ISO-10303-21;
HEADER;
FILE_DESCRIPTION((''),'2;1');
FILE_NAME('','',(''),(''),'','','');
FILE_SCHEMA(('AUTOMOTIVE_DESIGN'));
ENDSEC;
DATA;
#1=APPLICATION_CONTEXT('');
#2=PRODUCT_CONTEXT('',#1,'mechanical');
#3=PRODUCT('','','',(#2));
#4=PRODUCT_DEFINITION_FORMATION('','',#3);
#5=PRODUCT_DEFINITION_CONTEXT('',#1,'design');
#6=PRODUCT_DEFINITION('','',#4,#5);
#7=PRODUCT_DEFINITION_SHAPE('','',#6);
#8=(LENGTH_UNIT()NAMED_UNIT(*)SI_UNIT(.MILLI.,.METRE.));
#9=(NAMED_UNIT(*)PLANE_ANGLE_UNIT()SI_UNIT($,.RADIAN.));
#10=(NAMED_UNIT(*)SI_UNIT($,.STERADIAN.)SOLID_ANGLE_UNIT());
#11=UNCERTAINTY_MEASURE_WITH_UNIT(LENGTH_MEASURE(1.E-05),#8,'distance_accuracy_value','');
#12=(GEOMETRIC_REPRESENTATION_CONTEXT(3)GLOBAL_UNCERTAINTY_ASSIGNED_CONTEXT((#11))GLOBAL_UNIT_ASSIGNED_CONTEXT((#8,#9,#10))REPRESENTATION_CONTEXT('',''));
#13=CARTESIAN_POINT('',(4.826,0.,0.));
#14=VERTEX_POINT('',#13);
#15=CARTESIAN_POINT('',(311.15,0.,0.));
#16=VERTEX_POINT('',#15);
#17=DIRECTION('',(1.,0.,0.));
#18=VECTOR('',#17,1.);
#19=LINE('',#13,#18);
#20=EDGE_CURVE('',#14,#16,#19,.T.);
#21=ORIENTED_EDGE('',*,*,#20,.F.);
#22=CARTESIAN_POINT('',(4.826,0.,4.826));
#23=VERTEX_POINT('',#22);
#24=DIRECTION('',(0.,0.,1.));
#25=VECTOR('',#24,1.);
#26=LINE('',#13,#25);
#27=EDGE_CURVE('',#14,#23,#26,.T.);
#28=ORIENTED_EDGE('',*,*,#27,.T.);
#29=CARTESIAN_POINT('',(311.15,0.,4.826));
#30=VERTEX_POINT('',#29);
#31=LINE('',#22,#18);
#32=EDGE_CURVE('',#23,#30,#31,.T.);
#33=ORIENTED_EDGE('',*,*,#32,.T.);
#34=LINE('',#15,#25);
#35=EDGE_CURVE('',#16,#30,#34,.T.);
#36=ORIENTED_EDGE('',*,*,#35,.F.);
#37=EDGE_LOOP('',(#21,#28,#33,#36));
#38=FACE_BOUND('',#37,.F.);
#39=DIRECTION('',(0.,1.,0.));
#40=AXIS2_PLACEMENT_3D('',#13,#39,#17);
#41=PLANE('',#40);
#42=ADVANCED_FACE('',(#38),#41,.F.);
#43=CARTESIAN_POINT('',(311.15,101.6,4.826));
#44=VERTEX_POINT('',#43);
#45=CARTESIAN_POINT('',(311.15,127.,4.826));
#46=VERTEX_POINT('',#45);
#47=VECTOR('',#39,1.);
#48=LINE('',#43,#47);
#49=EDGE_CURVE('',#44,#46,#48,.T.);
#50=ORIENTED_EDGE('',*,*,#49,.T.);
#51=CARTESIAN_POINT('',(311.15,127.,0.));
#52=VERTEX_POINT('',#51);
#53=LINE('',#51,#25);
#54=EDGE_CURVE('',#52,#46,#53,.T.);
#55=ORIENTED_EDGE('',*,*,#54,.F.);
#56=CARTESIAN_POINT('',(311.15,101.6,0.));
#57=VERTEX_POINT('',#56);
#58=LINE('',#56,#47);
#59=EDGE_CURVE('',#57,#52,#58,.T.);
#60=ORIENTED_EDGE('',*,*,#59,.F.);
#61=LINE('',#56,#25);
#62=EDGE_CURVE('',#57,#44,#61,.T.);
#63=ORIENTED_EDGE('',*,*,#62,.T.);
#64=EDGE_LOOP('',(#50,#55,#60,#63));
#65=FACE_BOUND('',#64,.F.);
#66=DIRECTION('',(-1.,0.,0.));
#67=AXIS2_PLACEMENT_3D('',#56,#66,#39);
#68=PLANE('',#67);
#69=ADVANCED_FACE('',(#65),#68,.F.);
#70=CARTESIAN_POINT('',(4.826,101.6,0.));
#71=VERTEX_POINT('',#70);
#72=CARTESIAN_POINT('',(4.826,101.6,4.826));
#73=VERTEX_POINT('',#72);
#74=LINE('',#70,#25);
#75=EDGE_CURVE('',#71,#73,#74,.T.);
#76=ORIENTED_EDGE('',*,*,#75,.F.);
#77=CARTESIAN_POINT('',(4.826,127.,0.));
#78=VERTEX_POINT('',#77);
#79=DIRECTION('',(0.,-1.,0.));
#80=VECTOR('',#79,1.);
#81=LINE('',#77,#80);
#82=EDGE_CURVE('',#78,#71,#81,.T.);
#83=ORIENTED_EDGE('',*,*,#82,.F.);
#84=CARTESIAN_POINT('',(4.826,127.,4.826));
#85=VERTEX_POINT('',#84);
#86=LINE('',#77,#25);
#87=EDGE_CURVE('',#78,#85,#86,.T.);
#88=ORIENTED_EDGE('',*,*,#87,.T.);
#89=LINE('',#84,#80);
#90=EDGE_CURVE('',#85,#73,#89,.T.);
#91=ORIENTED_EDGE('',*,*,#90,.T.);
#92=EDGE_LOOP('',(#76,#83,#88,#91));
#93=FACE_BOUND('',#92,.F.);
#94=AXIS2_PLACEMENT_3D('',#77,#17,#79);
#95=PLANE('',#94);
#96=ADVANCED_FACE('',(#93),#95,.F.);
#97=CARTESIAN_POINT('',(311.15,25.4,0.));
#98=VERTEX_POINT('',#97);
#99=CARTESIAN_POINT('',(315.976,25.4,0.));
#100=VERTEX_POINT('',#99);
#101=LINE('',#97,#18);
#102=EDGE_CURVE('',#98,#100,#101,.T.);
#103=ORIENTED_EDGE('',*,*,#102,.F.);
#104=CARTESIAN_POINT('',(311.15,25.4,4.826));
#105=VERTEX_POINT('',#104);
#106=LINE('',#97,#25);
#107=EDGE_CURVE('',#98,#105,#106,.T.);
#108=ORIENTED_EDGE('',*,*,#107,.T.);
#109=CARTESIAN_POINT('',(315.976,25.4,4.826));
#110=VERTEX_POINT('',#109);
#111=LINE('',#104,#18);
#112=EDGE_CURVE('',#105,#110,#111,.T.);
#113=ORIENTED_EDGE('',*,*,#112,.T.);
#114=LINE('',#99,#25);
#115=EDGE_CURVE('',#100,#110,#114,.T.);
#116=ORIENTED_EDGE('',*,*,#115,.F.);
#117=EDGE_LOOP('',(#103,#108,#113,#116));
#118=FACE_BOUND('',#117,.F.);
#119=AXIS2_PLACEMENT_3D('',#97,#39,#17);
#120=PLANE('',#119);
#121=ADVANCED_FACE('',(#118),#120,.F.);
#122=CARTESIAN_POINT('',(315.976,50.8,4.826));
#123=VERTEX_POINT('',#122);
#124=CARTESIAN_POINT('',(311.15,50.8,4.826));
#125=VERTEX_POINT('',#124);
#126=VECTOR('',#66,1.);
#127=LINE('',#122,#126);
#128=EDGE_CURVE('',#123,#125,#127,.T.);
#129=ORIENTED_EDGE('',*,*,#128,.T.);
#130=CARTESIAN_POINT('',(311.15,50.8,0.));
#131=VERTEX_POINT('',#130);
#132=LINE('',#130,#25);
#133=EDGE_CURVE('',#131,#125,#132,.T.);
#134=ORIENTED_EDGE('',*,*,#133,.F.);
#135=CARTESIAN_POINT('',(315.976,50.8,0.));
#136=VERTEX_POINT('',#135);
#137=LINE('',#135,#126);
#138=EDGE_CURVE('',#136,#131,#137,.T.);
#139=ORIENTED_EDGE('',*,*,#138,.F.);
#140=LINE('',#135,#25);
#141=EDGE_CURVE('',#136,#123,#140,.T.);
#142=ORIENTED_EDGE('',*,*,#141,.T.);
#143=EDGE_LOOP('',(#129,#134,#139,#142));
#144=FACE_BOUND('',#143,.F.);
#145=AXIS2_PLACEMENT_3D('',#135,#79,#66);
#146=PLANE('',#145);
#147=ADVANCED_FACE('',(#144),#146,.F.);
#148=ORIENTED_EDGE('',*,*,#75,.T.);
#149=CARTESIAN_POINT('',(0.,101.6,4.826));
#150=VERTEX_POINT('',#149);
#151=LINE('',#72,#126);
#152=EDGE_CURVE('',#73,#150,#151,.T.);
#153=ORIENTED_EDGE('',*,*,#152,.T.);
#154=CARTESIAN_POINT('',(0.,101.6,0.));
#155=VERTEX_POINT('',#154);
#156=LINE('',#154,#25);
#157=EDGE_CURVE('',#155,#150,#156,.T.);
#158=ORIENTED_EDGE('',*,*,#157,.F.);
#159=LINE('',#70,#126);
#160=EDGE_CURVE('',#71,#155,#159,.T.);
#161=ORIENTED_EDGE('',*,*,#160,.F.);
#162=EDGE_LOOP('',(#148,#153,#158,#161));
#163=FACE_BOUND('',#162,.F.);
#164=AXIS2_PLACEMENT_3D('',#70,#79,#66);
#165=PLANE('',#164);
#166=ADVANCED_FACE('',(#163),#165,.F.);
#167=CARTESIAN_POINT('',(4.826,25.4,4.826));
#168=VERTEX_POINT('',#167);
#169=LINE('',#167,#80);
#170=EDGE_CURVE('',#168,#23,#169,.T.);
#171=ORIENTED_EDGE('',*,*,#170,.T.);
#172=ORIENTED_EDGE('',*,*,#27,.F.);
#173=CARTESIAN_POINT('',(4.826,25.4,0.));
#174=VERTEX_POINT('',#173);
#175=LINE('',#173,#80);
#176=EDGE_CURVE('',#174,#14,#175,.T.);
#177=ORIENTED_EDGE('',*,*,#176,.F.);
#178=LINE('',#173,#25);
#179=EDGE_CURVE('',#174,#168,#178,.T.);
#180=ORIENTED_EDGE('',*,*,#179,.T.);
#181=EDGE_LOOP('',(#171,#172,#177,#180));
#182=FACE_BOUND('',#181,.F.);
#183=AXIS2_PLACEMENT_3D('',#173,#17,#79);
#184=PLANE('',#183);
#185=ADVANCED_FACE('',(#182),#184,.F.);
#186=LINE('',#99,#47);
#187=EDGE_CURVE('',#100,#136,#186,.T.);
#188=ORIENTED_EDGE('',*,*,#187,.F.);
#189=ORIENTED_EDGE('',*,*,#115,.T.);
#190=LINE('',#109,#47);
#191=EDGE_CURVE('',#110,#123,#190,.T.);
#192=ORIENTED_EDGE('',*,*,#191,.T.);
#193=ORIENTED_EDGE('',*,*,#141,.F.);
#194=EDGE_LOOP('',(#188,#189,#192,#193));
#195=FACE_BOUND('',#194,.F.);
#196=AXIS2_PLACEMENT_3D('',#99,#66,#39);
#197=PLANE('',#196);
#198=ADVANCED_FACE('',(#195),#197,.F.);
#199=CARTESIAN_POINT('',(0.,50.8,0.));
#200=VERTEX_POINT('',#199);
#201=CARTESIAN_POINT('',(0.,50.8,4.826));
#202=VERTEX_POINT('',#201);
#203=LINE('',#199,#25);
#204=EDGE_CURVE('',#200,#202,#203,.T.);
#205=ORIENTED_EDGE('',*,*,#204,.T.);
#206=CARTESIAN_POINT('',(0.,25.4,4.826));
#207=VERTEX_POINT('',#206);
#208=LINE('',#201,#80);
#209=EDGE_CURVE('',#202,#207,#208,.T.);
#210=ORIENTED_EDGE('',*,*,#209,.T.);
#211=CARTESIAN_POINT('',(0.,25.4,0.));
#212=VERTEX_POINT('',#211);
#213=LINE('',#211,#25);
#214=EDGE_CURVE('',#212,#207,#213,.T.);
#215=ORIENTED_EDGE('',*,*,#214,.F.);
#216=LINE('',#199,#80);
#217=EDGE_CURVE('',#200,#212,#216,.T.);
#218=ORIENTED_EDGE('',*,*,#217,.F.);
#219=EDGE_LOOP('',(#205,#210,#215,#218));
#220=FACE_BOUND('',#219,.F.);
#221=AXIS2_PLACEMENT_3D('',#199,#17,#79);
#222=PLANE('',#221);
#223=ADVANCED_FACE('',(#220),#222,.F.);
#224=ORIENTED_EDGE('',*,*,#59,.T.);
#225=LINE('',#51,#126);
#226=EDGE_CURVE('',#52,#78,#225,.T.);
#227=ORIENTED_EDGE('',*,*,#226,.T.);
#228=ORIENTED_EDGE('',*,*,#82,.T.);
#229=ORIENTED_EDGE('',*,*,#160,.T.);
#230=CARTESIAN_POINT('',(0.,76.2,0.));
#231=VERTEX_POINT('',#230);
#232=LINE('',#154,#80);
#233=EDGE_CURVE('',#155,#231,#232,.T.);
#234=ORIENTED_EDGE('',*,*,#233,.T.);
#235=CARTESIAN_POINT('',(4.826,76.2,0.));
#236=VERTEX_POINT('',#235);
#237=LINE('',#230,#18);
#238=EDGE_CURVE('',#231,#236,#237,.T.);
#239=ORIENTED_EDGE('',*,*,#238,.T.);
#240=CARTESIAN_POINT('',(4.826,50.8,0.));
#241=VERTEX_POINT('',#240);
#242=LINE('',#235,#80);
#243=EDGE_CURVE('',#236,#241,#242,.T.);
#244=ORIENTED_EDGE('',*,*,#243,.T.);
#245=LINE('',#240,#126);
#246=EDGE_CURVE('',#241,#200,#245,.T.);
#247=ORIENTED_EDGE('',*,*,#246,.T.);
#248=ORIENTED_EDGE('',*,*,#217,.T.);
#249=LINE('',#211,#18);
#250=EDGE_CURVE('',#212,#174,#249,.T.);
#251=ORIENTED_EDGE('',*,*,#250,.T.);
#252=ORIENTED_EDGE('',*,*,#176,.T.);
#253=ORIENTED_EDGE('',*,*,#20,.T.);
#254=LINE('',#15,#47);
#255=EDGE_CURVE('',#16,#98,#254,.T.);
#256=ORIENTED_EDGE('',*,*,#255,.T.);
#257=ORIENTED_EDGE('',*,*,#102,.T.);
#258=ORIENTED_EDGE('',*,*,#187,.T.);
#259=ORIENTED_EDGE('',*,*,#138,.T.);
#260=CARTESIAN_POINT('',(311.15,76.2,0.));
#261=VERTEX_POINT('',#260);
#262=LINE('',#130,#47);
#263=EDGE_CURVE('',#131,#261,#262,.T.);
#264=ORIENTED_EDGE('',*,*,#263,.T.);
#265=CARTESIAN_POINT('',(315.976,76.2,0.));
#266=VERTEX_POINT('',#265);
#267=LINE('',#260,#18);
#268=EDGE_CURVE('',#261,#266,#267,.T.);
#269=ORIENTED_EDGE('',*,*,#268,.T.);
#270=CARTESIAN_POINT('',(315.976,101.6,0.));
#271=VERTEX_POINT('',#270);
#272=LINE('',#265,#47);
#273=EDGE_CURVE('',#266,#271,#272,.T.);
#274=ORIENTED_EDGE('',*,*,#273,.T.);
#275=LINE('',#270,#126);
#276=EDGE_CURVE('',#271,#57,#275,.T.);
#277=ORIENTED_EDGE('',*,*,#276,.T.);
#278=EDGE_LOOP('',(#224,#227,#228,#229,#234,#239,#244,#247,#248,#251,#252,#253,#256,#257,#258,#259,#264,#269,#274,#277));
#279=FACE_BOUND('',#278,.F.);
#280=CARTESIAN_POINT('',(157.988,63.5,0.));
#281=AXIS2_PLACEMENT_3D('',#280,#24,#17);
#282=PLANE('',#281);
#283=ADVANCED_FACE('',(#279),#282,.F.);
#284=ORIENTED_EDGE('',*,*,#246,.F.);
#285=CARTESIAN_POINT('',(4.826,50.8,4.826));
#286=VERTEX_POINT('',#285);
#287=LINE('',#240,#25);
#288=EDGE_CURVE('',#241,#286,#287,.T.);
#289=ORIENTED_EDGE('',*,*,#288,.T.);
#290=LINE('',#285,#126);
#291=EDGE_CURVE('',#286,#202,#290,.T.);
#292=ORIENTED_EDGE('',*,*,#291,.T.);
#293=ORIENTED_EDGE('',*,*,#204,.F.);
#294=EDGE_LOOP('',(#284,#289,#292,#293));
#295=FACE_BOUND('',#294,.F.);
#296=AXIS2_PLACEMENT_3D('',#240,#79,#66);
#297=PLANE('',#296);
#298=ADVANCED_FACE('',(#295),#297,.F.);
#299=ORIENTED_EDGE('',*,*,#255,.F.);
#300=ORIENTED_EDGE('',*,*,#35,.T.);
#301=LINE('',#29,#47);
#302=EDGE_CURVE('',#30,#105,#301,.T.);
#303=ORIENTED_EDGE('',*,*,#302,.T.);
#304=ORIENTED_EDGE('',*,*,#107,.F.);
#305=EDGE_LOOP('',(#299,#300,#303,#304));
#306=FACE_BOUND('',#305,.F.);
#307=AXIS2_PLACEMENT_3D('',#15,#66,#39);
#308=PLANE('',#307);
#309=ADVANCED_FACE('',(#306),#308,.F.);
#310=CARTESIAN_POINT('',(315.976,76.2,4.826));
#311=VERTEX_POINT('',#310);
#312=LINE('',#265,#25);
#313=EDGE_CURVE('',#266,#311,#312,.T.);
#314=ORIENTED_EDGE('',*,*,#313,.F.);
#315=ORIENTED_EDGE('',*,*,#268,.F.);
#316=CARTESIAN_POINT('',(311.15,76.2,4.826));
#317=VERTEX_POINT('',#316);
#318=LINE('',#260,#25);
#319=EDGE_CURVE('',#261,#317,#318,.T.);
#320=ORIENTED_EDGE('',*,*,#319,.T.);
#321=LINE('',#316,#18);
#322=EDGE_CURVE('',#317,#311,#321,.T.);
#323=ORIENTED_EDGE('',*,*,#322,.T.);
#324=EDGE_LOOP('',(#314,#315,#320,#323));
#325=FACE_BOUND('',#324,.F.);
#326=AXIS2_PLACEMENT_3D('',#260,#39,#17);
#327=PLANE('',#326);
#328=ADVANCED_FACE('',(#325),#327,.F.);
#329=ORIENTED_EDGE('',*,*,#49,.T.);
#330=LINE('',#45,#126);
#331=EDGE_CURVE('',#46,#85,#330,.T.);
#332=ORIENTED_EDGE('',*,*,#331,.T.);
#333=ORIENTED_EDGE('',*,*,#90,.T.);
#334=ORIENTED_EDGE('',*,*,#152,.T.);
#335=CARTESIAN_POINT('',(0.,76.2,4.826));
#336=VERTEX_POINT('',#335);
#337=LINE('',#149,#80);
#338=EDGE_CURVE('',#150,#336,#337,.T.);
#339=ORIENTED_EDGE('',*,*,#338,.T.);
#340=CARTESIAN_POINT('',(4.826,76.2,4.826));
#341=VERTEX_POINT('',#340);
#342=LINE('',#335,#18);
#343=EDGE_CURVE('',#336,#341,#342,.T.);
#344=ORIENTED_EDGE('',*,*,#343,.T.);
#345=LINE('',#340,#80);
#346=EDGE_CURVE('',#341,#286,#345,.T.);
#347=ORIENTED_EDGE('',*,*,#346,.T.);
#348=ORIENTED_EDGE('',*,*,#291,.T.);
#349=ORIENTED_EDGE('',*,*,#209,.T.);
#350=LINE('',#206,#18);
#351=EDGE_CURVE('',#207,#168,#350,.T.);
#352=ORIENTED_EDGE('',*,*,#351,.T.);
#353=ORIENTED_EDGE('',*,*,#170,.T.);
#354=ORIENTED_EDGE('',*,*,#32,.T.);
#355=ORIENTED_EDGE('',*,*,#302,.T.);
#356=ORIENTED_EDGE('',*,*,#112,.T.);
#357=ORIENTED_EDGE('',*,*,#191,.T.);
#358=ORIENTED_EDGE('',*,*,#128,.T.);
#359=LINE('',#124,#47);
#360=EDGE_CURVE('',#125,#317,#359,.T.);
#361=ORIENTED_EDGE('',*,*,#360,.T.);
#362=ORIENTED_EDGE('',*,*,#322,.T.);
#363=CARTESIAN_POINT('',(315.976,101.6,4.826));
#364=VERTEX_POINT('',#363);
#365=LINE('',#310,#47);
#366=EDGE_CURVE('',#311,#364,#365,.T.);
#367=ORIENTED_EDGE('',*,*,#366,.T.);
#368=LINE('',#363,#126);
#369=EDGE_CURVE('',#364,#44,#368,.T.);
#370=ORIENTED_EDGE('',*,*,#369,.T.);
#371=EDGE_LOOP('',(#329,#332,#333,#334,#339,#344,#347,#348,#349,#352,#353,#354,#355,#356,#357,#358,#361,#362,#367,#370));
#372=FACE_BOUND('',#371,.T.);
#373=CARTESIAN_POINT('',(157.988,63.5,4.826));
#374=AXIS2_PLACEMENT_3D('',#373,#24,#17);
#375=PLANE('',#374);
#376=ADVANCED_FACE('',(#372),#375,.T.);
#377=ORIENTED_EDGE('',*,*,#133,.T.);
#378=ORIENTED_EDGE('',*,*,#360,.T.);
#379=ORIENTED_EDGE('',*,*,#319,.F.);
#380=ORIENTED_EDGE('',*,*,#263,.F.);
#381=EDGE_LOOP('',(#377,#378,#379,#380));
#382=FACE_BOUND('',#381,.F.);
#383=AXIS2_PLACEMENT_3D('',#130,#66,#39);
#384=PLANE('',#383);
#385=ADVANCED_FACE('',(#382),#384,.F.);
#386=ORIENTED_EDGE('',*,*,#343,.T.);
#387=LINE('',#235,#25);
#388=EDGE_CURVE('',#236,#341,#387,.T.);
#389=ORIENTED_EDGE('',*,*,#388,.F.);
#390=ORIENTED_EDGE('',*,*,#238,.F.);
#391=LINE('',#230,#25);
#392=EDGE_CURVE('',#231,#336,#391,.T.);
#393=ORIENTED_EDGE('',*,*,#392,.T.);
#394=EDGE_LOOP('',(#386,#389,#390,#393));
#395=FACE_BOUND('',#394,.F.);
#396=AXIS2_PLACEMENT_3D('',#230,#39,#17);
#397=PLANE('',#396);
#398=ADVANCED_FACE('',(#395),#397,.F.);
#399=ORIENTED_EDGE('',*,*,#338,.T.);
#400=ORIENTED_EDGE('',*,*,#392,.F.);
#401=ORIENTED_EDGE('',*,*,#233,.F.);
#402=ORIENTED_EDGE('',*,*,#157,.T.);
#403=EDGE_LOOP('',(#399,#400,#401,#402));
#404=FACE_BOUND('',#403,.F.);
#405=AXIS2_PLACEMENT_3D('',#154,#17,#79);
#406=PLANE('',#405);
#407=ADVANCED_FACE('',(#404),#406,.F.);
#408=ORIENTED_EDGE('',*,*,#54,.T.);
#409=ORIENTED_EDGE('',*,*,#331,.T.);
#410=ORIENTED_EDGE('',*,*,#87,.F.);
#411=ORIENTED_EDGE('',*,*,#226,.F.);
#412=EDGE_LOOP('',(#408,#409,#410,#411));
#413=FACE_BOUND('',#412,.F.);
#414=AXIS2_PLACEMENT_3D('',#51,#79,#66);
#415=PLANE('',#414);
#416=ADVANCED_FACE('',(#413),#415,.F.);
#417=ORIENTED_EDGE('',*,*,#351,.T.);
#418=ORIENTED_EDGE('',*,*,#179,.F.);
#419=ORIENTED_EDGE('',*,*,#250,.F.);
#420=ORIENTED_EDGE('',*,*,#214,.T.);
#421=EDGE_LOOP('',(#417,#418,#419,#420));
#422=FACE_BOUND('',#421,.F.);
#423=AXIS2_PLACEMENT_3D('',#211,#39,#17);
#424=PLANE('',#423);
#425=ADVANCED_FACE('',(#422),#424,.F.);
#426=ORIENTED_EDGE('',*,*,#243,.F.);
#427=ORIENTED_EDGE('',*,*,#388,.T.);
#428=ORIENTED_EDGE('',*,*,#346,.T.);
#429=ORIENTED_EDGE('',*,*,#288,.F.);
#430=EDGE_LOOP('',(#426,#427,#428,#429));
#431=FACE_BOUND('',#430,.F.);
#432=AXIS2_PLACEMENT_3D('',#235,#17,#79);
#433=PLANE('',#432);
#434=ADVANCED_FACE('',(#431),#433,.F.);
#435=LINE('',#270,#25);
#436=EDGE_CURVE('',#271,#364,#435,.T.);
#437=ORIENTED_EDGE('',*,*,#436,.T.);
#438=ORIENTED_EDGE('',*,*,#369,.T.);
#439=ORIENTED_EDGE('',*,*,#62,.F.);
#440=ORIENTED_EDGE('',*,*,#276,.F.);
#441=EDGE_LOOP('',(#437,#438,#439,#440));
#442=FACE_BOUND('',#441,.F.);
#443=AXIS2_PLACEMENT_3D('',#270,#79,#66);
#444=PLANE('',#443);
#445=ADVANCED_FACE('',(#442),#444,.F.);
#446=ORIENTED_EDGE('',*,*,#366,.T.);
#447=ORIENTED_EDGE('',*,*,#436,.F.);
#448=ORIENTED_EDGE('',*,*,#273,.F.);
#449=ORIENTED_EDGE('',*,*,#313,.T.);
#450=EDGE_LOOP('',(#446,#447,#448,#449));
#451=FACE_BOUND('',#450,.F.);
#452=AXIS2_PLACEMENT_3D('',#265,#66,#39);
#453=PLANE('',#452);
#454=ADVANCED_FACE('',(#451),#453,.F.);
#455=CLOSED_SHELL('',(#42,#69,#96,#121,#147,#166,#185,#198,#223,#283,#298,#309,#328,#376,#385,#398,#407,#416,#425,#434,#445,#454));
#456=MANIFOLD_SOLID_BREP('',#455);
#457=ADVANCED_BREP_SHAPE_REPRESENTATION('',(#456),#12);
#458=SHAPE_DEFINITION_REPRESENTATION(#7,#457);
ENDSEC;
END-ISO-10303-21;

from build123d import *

# Parameters (mm, degrees)
BOSS_EXTRUDE1_DEPTH = 4.826


with BuildPart() as part:
    # Sketch2 → Boss-Extrude1 (new body)
    with BuildSketch(Plane.XY):
        Polygon((4.826, 76.2), (4.826, 50.8), (0, 50.8), (0, 25.4), (4.826, 25.4), (4.826, 0), (311.15, 0), (311.15, 25.4), (315.976, 25.4), (315.976, 50.8), (311.15, 50.8), (311.15, 76.2), (315.976, 76.2), (315.976, 101.6), (311.15, 101.6), (311.15, 127), (4.826, 127), (4.826, 101.6), (0, 101.6), (0, 76.2), align=None)
    extrude(amount=BOSS_EXTRUDE1_DEPTH)


solid = part.part
